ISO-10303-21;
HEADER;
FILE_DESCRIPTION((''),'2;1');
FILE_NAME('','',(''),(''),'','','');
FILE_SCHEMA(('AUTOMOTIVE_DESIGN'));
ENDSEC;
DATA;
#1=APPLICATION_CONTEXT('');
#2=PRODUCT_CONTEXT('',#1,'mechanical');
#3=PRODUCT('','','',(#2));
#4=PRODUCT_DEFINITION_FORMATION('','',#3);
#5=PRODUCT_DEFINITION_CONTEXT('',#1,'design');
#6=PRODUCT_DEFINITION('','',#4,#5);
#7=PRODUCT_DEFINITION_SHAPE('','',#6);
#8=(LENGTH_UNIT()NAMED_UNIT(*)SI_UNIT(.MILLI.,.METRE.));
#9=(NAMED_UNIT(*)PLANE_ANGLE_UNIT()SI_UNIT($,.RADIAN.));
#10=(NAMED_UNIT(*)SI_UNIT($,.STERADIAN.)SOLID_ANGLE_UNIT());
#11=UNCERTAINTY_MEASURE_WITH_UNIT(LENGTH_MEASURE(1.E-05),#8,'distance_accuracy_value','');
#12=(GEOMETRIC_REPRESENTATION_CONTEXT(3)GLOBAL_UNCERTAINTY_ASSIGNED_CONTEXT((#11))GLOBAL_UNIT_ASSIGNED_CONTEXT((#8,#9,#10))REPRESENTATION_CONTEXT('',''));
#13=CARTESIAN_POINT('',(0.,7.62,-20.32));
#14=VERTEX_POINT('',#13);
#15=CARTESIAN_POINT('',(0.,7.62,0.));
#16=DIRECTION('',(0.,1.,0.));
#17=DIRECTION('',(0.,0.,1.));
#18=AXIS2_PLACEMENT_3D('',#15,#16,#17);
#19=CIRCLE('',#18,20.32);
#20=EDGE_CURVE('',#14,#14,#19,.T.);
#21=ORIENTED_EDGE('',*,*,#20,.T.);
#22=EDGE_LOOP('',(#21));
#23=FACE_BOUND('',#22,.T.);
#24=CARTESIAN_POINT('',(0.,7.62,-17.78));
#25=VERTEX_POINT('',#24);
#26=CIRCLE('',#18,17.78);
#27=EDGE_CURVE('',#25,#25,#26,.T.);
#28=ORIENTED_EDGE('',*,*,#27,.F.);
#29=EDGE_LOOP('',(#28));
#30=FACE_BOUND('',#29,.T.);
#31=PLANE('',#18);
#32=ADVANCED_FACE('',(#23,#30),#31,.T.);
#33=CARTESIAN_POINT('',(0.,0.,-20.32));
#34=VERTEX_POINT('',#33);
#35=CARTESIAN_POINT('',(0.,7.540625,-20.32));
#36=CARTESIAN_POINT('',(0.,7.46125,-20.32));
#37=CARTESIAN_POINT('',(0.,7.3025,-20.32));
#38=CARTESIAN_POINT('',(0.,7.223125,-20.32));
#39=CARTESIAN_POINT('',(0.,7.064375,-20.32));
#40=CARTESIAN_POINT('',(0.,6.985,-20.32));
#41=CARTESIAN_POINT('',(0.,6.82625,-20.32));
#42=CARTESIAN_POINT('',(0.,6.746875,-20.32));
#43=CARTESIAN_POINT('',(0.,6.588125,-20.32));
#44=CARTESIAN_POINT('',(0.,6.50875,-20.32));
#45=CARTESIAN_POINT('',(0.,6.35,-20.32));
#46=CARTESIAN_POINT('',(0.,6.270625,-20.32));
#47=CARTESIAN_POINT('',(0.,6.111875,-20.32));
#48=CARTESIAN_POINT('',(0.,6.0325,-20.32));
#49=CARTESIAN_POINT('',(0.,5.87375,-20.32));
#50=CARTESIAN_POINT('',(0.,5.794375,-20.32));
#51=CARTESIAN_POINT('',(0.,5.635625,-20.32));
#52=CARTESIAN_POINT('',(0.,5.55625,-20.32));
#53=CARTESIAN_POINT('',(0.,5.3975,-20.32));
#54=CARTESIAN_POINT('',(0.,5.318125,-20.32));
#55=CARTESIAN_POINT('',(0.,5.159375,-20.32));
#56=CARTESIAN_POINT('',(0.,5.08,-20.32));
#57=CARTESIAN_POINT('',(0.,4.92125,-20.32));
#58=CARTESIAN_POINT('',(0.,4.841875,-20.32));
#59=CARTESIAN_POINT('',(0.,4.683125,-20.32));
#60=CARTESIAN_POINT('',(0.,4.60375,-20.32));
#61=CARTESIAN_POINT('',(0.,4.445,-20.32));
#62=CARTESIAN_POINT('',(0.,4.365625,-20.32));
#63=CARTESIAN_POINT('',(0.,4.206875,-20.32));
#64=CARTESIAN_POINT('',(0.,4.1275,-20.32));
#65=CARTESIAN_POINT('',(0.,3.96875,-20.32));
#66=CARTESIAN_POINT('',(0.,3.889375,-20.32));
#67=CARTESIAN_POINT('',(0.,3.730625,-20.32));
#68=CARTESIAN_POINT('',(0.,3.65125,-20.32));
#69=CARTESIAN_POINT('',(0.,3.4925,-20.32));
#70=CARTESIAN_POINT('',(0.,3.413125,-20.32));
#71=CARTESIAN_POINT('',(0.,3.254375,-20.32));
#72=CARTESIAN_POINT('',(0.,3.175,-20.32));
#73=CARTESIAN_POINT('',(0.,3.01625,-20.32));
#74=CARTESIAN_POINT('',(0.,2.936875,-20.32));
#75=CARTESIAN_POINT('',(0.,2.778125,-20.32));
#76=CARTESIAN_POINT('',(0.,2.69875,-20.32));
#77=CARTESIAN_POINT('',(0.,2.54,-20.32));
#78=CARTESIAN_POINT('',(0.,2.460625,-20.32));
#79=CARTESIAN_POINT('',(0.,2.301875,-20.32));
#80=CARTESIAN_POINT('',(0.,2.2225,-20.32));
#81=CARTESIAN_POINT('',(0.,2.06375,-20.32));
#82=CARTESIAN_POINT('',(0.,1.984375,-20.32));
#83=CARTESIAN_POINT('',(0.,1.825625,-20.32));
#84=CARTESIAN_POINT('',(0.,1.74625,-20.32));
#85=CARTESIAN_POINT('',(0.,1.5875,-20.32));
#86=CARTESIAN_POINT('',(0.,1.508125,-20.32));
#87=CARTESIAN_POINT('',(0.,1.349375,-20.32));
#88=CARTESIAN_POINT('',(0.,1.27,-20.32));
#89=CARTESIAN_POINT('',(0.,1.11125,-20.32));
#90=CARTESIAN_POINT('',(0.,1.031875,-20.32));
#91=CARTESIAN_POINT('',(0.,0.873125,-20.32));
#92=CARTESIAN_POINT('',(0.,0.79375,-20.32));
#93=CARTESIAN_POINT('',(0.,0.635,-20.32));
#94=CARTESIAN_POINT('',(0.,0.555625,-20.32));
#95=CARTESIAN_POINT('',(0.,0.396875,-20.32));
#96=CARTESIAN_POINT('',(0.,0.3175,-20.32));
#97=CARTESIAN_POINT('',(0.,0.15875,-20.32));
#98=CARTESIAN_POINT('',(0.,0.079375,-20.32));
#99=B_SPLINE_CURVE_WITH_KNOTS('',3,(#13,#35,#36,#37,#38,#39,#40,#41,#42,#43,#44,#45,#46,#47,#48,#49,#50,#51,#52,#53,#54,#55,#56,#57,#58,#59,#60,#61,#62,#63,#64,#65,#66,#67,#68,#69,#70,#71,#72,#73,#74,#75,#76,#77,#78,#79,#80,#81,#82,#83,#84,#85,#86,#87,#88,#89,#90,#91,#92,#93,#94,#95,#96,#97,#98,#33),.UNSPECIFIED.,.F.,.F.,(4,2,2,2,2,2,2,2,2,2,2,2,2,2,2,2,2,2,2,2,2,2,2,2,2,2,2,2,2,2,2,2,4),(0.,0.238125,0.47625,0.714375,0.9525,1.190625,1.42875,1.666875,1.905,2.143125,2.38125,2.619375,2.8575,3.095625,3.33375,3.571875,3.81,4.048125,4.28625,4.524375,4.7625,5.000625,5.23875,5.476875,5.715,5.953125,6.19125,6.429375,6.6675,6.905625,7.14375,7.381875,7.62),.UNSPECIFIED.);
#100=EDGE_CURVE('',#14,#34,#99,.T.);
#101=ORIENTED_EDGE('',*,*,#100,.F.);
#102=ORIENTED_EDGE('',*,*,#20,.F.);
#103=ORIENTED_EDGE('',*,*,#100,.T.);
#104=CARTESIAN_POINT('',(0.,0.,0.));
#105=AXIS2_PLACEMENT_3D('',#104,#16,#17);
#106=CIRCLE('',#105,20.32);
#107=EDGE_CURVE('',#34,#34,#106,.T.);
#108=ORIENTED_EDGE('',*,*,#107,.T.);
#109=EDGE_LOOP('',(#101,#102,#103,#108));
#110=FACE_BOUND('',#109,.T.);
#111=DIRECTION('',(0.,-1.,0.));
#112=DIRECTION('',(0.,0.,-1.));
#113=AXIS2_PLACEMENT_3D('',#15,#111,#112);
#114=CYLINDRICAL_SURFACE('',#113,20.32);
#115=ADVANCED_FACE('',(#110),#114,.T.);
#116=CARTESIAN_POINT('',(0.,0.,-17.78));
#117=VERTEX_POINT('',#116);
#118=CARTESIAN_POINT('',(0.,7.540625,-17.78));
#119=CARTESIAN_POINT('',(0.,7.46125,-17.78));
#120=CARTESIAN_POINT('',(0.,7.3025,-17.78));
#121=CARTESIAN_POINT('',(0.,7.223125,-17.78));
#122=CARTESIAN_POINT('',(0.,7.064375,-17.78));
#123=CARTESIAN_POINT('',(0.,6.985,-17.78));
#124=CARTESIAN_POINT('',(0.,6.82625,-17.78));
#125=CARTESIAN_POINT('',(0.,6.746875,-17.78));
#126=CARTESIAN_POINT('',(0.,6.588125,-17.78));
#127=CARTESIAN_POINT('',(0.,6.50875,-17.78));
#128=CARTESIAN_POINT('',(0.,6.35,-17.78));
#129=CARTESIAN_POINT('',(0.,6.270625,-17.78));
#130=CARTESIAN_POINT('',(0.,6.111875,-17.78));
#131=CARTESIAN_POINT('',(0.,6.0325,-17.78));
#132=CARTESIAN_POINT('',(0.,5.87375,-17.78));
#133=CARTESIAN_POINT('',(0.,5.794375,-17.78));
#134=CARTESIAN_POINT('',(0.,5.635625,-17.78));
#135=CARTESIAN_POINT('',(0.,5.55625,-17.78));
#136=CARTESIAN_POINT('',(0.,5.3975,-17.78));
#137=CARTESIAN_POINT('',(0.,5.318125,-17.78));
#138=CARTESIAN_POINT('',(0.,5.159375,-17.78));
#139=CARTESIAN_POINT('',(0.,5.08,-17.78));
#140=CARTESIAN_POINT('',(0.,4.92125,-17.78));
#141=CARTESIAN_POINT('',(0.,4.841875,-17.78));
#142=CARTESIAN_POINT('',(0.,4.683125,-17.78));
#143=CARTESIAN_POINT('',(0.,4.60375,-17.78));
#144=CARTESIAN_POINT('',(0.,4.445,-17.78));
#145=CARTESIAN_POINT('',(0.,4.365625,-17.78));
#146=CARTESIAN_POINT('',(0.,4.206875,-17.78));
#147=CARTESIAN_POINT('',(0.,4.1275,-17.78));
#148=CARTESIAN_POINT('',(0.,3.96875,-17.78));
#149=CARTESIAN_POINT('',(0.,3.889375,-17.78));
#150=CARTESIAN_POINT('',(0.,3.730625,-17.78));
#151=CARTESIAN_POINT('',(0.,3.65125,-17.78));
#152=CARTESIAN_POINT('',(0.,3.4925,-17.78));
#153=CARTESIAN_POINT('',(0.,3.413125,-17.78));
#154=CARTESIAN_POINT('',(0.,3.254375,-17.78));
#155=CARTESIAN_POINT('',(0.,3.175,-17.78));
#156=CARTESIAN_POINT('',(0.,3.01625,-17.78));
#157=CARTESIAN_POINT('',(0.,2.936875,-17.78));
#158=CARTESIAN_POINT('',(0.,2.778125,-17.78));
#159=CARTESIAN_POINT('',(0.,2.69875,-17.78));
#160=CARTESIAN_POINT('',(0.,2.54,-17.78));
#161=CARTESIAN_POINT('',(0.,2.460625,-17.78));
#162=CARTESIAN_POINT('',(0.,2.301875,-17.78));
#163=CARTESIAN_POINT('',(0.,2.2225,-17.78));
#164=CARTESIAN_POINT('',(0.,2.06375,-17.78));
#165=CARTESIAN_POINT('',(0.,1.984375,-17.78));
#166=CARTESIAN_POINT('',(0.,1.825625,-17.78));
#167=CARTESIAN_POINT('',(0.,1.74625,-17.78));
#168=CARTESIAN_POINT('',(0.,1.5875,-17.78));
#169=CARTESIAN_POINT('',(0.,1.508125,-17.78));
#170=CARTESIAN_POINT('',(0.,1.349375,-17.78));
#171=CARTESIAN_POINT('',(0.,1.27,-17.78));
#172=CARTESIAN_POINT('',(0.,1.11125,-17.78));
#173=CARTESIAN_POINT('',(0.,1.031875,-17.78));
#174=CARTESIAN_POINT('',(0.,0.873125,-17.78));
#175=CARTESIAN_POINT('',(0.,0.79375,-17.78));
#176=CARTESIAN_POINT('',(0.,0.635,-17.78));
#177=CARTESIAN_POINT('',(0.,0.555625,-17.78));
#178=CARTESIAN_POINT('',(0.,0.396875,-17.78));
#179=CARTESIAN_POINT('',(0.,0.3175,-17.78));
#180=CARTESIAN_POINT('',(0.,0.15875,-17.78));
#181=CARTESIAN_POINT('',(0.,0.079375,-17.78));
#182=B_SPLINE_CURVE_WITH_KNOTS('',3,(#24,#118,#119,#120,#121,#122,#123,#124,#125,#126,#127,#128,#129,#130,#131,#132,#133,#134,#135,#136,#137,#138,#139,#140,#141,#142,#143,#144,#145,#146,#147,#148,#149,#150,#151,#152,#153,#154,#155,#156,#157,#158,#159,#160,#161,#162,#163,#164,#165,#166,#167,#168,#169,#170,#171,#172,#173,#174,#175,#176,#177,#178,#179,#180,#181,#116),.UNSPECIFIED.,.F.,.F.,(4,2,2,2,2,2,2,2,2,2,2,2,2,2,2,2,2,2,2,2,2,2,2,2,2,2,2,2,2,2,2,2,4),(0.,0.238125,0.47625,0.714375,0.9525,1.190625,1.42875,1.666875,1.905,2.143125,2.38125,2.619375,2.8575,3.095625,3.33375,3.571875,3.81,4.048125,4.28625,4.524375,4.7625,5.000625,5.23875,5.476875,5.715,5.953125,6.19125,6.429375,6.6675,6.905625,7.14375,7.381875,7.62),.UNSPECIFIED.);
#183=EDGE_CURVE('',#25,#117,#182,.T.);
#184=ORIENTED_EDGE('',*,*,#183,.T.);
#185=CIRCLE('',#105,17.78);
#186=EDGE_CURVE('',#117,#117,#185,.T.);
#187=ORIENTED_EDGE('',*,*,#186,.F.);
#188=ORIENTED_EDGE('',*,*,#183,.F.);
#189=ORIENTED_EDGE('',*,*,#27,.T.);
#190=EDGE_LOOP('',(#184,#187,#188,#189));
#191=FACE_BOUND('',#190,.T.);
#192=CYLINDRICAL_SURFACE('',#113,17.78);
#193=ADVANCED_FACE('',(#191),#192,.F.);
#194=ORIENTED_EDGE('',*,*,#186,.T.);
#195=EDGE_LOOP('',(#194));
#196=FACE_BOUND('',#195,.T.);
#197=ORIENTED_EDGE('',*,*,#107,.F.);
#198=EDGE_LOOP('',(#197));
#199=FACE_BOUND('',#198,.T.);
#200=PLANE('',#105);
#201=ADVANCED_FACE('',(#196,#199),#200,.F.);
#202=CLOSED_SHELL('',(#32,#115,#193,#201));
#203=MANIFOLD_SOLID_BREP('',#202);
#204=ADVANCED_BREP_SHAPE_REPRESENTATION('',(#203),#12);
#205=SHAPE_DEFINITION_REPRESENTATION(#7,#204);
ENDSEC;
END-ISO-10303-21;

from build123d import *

# Parameters (mm, degrees)
SKETCH2_R           = 20.32
SKETCH2_R_2         = 17.78
BOSS_EXTRUDE1_DEPTH = 7.62


with BuildPart() as part:
    # Sketch2 → Boss-Extrude1 (new body)
    with BuildSketch(Plane(origin=(0, 0, 0), x_dir=(1, 0, 0), z_dir=(0, 1, 0))):
        with Locations(Location((0, 0, 0), (0, 0, 90))):
            Circle(SKETCH2_R)
        with Locations(Location((0, 0, 0), (0, 0, 90))):
            Circle(SKETCH2_R_2, mode=Mode.SUBTRACT)
    extrude(amount=BOSS_EXTRUDE1_DEPTH)


solid = part.part
